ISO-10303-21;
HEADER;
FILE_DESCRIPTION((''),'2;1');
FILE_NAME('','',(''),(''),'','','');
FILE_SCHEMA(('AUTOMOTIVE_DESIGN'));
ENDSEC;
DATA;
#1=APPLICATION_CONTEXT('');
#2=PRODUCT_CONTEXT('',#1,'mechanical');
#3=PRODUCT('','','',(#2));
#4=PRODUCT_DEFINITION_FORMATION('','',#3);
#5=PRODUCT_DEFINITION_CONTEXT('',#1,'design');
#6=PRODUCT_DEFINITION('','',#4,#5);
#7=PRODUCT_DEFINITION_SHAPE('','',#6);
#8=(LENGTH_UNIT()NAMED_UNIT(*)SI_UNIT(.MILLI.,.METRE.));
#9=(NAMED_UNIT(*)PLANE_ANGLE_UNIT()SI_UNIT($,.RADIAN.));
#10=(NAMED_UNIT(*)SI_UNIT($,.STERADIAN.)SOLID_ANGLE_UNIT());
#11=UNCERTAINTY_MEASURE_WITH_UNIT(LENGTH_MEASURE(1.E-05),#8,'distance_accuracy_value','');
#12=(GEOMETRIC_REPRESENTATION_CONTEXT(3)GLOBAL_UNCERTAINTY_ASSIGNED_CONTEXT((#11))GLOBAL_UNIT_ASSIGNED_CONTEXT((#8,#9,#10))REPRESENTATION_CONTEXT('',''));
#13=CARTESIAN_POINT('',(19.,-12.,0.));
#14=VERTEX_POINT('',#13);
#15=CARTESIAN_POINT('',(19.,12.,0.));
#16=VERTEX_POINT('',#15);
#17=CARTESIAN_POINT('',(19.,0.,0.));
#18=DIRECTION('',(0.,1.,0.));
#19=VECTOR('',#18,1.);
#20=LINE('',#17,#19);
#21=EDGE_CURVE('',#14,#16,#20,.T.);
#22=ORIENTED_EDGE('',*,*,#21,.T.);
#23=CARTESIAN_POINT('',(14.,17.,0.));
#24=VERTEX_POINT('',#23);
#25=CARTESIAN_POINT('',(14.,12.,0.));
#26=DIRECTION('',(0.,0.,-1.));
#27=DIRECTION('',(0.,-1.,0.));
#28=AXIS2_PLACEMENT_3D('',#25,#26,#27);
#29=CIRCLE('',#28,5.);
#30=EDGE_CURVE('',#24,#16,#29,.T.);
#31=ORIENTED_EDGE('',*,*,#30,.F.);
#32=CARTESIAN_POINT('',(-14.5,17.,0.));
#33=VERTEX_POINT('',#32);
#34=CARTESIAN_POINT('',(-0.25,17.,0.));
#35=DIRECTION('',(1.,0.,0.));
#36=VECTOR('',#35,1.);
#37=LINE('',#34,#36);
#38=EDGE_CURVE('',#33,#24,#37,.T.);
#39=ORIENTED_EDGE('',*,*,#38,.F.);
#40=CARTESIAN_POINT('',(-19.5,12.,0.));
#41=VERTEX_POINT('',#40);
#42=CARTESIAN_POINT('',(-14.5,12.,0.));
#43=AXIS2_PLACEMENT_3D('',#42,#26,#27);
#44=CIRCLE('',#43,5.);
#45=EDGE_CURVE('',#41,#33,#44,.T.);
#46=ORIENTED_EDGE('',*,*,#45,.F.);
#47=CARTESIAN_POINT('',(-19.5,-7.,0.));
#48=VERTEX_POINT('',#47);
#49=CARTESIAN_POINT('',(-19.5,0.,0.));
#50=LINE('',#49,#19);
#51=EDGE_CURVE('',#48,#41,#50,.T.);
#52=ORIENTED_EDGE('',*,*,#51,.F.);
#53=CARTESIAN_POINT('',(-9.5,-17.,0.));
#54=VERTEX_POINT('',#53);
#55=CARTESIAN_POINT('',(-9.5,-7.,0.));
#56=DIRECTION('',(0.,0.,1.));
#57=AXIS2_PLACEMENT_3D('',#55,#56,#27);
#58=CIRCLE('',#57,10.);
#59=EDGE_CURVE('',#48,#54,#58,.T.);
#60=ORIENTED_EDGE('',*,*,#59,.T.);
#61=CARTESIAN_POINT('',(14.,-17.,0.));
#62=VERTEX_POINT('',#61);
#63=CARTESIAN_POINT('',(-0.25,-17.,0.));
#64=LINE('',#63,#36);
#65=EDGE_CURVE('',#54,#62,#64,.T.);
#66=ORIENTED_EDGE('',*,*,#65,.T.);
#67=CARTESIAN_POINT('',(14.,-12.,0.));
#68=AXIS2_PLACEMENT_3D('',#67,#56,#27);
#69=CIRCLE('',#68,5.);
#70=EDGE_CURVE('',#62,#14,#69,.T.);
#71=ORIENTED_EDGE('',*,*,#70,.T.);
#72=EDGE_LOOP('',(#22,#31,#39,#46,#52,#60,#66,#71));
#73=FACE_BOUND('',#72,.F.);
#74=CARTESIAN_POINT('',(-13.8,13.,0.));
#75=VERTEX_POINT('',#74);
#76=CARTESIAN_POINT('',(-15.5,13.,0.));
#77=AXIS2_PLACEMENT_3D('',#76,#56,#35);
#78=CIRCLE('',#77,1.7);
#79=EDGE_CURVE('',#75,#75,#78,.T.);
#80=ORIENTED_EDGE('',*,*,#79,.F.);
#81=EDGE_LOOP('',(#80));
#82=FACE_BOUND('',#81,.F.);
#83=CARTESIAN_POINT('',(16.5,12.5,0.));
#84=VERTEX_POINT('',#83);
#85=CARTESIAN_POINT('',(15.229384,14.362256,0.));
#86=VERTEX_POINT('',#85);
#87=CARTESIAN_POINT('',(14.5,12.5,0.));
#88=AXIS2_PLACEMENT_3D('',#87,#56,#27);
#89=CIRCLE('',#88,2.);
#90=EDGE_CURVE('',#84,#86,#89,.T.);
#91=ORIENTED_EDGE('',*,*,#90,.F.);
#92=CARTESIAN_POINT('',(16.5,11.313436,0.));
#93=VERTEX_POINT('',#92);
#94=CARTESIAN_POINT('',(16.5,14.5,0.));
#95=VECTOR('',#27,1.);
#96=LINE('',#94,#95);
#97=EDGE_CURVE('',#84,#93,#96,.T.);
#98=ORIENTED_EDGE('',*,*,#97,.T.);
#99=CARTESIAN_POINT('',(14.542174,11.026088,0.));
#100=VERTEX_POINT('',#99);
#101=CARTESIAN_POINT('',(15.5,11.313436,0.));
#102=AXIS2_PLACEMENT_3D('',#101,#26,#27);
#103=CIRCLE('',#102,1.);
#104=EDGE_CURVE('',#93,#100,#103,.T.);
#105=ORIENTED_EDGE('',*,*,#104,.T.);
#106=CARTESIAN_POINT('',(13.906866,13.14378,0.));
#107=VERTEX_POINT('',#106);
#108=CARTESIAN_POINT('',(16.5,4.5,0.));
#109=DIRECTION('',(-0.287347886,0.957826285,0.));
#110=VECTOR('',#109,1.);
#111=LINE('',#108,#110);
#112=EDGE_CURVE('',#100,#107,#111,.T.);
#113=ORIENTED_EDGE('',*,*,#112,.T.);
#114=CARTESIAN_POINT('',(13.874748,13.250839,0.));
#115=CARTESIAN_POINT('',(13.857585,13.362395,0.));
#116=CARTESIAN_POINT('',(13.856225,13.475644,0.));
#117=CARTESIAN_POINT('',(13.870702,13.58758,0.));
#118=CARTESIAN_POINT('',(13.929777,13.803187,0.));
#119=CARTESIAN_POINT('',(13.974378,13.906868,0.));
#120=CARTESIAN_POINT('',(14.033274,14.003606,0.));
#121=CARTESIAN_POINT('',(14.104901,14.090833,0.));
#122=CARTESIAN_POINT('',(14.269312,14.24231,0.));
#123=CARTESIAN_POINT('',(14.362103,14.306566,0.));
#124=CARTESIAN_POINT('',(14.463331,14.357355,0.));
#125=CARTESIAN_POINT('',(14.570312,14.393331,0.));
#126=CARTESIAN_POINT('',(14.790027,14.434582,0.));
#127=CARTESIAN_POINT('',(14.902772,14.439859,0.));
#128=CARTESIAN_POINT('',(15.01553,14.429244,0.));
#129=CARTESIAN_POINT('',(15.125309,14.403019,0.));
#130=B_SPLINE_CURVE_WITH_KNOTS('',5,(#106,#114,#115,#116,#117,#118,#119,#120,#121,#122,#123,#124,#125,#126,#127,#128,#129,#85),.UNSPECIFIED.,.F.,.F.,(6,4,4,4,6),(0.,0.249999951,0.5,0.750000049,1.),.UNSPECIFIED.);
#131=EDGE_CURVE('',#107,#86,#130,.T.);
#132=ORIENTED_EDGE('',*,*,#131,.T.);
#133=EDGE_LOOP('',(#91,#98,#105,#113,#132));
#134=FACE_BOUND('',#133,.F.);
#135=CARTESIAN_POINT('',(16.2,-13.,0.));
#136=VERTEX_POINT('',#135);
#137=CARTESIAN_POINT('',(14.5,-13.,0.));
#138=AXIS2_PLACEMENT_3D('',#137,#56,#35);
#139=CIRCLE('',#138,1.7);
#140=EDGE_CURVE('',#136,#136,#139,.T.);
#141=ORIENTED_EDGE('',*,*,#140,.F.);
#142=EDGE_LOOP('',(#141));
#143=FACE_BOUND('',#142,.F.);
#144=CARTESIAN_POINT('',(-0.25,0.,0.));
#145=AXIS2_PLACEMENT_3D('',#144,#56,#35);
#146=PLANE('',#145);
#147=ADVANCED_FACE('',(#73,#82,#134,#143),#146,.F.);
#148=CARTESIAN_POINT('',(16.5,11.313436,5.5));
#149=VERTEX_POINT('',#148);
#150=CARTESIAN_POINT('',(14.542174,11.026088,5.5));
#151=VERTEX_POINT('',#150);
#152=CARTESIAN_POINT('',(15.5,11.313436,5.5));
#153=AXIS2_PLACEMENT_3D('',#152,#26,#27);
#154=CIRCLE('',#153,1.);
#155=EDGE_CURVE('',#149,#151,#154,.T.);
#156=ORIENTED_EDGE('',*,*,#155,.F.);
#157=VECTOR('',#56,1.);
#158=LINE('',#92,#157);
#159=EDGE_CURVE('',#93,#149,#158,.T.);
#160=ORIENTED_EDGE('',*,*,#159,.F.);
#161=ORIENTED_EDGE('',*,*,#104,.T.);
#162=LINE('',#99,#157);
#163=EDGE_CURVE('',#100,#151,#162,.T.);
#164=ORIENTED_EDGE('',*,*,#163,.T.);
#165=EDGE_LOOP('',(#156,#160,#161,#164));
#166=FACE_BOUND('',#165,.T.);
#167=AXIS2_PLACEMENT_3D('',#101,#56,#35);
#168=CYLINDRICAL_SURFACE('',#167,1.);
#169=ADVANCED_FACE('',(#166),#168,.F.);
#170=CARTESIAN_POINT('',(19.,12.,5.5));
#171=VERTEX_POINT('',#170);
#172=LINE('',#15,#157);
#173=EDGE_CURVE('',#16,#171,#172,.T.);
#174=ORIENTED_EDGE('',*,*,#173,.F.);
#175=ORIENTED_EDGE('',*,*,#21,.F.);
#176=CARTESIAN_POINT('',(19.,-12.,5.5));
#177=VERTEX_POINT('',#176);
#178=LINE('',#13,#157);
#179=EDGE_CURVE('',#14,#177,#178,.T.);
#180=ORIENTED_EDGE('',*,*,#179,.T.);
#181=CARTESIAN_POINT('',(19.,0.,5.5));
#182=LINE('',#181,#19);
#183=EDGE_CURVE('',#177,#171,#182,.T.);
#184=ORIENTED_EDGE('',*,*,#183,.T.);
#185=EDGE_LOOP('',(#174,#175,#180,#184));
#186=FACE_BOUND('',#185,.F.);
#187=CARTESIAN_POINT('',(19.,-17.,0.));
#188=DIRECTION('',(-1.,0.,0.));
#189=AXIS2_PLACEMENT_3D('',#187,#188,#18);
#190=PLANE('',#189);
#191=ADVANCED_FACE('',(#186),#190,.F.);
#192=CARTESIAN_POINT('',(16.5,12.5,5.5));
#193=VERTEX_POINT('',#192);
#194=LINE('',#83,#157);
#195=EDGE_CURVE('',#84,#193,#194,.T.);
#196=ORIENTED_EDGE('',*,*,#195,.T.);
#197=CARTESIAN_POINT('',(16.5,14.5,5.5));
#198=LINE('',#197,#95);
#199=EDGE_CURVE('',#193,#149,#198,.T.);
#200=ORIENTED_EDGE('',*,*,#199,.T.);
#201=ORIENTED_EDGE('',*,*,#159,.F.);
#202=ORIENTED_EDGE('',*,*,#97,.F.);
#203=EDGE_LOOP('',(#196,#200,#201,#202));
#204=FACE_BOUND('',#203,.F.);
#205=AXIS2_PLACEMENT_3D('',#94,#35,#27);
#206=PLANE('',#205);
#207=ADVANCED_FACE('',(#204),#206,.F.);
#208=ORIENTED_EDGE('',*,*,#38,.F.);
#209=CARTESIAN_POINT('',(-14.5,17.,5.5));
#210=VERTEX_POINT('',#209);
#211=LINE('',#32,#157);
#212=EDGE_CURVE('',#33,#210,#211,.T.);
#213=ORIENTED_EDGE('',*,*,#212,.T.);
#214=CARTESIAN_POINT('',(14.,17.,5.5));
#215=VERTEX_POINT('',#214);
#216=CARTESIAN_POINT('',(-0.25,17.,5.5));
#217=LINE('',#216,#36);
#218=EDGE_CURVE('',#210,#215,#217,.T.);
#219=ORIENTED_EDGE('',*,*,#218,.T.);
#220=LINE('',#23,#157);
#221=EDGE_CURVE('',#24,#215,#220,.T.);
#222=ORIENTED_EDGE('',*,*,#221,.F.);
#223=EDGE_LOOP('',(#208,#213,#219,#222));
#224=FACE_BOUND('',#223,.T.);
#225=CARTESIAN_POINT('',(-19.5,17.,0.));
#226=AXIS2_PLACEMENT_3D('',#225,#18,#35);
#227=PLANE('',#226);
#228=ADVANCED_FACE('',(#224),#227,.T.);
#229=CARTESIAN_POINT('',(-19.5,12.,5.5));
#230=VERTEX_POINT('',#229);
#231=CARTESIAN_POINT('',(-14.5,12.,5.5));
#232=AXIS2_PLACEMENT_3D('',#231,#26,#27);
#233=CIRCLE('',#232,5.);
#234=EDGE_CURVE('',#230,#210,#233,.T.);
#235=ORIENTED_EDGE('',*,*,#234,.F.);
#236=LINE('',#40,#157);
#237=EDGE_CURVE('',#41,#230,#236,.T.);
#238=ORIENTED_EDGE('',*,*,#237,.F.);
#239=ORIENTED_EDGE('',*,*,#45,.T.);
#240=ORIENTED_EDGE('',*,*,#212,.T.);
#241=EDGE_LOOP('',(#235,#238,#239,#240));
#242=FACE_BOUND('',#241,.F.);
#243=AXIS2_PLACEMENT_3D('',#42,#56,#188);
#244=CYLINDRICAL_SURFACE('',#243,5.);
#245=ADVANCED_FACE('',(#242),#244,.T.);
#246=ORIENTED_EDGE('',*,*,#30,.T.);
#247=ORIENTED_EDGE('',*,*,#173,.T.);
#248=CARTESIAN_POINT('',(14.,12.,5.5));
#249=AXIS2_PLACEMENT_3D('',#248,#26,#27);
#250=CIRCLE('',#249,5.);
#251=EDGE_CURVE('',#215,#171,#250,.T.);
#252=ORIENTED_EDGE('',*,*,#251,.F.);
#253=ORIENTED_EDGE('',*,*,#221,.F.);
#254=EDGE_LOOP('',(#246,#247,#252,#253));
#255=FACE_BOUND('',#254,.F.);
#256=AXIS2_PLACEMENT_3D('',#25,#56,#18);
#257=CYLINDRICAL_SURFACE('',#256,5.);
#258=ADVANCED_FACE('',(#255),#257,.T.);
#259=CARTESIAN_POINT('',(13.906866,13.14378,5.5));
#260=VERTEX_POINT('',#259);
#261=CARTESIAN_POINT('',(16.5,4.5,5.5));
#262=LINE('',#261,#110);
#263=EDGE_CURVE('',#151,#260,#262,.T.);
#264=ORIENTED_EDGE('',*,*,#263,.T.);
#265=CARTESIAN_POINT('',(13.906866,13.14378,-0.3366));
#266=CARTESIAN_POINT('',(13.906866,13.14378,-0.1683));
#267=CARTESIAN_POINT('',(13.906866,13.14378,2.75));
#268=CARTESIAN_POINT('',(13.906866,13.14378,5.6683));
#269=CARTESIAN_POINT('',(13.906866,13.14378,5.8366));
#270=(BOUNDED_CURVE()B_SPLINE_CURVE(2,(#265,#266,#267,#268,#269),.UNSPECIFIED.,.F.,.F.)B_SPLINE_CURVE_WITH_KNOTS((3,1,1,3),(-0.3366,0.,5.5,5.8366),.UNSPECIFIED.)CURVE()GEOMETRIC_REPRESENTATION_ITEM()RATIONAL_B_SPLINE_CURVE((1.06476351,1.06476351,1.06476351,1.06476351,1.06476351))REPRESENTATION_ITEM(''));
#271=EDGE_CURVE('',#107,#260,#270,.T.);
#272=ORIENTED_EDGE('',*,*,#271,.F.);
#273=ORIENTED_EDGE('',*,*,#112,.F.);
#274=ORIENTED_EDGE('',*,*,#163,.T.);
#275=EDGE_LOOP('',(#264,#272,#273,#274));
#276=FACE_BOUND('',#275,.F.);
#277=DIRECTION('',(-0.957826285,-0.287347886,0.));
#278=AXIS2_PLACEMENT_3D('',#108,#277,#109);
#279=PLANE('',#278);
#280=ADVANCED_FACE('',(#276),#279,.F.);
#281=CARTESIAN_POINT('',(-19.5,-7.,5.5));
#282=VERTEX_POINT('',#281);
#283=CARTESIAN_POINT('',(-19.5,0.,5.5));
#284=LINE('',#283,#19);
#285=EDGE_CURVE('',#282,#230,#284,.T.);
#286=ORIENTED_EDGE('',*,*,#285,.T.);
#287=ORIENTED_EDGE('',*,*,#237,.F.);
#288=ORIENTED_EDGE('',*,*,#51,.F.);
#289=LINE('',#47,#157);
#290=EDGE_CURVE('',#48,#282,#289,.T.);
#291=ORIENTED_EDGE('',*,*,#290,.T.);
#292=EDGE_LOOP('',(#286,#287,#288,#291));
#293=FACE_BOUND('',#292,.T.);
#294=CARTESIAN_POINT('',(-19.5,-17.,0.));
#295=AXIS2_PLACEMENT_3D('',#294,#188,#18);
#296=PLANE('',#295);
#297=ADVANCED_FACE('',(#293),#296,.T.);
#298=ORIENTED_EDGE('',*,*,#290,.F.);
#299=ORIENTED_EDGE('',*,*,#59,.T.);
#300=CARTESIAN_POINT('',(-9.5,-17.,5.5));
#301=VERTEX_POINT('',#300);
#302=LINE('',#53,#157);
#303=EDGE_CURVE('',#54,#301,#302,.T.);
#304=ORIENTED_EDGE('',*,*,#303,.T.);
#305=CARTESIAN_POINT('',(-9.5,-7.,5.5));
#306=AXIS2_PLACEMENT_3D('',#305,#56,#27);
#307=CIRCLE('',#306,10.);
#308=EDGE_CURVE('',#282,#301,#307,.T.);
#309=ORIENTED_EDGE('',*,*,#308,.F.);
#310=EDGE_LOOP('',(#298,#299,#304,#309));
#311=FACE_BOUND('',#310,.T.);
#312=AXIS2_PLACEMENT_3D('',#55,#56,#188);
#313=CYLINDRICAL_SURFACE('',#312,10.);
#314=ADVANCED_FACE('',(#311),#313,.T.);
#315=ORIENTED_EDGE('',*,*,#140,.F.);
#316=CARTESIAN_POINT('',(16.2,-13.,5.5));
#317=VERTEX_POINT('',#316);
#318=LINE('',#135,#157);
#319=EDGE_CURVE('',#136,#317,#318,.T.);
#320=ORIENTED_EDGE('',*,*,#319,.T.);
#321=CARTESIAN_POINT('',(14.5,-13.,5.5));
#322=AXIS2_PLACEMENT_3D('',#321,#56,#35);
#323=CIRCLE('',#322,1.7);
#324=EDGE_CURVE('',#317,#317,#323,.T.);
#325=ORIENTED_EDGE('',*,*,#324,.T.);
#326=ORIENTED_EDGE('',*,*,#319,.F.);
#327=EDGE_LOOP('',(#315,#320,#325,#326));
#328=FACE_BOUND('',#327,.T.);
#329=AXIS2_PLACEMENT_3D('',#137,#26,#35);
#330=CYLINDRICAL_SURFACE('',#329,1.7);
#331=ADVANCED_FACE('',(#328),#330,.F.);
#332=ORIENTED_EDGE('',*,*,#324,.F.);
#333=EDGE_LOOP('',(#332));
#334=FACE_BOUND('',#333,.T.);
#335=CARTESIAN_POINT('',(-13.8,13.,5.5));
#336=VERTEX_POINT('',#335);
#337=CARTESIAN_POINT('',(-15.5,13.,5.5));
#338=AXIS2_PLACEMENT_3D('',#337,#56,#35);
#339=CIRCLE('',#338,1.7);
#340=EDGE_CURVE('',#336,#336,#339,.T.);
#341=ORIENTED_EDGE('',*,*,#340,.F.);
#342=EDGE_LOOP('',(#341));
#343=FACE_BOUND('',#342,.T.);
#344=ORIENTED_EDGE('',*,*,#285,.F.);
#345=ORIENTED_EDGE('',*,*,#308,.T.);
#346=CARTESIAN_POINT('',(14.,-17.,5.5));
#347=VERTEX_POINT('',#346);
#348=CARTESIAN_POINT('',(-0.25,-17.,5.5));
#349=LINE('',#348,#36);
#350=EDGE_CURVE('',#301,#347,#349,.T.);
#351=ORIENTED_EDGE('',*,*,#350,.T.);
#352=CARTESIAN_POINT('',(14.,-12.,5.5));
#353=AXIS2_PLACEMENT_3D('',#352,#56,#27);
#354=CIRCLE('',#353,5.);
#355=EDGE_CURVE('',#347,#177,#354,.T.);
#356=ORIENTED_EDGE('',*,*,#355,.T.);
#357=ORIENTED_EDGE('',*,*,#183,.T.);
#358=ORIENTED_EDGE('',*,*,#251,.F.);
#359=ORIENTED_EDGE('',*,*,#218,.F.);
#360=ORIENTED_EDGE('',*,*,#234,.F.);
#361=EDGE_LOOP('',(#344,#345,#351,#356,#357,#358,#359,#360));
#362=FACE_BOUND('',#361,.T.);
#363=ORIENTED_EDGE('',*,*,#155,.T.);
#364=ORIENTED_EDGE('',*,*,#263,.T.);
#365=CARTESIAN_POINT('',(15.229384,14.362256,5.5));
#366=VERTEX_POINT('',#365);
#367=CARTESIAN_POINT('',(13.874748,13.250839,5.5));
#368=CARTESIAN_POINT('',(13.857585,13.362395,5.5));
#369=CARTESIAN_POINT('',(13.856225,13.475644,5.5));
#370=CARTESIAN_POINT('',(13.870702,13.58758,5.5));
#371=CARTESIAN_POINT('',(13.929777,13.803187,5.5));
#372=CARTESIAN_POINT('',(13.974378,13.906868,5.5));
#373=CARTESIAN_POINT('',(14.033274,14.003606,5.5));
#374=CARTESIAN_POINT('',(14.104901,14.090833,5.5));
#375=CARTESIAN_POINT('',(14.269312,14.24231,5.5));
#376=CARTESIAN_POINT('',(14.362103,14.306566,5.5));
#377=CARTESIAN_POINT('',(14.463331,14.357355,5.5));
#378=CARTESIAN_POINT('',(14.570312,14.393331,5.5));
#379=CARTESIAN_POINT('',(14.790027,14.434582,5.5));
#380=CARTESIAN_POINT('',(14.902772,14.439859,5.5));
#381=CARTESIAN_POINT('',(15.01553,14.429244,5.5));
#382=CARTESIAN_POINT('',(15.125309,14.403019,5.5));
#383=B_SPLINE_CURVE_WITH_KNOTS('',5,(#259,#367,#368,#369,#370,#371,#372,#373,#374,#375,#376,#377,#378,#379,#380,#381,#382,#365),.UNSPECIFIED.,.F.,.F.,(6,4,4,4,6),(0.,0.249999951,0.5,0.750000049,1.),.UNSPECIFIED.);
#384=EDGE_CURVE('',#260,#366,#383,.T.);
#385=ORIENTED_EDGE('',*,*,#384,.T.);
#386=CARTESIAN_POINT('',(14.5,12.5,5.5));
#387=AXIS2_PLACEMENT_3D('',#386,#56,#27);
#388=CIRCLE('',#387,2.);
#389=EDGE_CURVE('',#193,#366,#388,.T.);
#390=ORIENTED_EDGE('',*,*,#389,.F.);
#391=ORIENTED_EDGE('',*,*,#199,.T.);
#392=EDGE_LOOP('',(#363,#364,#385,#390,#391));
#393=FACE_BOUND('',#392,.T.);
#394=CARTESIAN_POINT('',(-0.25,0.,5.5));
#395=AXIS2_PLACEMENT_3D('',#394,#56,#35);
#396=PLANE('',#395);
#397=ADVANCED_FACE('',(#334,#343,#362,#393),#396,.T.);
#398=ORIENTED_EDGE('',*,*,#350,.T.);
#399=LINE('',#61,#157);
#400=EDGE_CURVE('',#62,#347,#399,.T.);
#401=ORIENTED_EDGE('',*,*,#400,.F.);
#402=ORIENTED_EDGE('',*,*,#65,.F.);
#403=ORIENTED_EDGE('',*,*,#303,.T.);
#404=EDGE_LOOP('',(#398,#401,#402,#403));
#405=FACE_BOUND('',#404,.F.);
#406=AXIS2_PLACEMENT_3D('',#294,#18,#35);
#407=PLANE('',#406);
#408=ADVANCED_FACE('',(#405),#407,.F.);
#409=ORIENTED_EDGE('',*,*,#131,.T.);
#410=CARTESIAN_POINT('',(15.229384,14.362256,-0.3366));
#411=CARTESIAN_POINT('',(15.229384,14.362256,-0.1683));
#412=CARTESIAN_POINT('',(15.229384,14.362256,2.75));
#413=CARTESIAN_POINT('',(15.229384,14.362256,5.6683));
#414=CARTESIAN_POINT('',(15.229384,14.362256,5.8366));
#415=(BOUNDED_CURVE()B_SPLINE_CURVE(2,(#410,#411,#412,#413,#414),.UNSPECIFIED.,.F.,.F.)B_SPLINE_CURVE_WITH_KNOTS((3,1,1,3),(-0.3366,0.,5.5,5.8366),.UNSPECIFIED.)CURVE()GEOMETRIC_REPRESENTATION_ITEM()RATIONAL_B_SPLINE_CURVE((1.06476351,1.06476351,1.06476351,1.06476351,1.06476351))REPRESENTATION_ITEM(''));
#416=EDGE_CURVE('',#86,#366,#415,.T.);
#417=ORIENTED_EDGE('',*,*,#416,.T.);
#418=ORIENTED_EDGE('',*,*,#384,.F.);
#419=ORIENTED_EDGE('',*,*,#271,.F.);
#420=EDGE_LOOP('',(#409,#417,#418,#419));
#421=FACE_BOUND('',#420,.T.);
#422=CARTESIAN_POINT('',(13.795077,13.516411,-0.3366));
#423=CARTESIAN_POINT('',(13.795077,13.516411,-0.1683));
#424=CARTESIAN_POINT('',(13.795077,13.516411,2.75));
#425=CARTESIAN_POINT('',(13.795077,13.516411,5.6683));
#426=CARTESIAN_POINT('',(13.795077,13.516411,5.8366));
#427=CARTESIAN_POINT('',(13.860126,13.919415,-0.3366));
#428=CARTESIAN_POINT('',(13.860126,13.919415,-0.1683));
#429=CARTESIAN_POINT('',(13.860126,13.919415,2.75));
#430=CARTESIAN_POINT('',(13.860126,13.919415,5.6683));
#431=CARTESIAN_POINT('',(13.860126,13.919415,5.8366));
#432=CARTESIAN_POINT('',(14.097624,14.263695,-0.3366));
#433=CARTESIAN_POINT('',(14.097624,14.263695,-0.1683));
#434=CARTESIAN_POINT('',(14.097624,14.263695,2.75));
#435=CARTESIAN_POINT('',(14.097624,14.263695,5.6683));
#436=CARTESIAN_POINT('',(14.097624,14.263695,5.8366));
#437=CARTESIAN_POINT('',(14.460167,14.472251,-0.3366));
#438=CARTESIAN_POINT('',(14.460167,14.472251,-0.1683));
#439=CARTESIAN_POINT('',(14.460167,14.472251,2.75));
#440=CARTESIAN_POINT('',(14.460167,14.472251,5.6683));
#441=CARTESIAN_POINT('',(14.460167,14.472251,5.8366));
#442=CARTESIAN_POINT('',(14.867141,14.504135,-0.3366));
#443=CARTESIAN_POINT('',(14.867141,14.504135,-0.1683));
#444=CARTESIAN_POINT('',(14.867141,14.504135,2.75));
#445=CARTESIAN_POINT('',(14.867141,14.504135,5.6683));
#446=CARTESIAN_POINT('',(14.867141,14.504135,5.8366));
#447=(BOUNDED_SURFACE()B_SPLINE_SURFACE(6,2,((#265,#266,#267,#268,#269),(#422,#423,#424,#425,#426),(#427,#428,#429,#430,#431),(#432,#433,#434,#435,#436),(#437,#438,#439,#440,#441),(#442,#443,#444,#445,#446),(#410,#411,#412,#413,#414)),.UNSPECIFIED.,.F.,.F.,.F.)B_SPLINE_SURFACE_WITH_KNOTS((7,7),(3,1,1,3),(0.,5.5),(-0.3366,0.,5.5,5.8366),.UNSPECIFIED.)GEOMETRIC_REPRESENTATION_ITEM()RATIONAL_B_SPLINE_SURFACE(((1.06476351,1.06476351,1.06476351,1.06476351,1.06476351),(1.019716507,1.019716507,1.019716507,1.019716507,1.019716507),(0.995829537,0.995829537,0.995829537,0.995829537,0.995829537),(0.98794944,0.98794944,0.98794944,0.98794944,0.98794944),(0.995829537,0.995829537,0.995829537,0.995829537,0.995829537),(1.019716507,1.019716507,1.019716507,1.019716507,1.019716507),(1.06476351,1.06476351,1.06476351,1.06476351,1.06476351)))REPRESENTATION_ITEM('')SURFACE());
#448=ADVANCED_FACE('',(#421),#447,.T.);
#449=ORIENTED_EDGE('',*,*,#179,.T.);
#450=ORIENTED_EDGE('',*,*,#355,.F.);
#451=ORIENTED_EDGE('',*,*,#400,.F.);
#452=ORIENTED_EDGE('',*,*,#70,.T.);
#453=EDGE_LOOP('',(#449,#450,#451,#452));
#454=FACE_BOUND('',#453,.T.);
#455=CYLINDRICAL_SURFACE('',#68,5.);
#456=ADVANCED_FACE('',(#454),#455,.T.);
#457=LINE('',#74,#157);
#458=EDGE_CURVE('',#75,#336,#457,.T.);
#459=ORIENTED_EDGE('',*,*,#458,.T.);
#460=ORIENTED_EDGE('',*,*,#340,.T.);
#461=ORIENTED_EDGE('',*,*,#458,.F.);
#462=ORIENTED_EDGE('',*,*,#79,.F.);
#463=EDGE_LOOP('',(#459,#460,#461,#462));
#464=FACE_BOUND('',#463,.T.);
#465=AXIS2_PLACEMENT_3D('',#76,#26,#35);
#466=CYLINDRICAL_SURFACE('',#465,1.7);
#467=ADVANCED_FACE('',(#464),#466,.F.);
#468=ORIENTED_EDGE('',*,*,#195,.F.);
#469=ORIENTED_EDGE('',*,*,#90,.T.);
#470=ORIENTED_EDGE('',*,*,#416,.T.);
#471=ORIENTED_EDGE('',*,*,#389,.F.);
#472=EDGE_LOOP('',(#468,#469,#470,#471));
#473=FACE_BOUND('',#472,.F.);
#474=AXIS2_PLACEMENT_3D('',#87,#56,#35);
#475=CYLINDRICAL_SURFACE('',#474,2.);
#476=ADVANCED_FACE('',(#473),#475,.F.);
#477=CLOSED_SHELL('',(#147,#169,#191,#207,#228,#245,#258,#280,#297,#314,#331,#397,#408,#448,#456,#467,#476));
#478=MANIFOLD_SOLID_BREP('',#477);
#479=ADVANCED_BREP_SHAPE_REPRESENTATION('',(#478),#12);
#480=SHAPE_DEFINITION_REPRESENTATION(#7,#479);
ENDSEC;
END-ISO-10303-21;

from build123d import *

# Parameters (mm, degrees)
SKETCH002_W  = 38.5
SKETCH002_H  = 34
SKETCH002_R  = 1.7
PAD002_DEPTH = 5.5
FILLET005_R  = 2
FILLET006_R  = 1
FILLET007_R  = 5
FILLET008_R  = 10
FILLET009_R  = 5


with BuildPart() as part:
    # Sketch002 → Pad002 (new body)
    with BuildSketch(Plane.XY):
        with Locations((-0.25, 0)):
            Rectangle(SKETCH002_W, SKETCH002_H)
        with Locations((-15.5, 13)):
            Circle(SKETCH002_R, mode=Mode.SUBTRACT)
        with Locations((14.5, -13)):
            Circle(SKETCH002_R, mode=Mode.SUBTRACT)
        Polygon((13.5, 14.5), (16.5, 14.5), (16.5, 4.5), align=None, mode=Mode.SUBTRACT)
    extrude(amount=PAD002_DEPTH)

    # Fillet005
    fillet005_edges = [part.edges().sort_by_distance(p)[0] for p in [
        (16.5, 14.5, 2.75),
    ]]
    fillet(fillet005_edges, radius=FILLET005_R)

    # Fillet006
    fillet006_edges = [part.edges().sort_by_distance(p)[0] for p in [
        (16.5, 4.5, 2.75),
        (13.5, 14.5, 2.75),
    ]]
    fillet(fillet006_edges, radius=FILLET006_R)

    # Fillet007
    fillet007_edges = [part.edges().sort_by_distance(p)[0] for p in [
        (19, 17, 2.75),
    ]]
    fillet(fillet007_edges, radius=FILLET007_R)

    # Fillet008
    fillet008_edges = [part.edges().sort_by_distance(p)[0] for p in [
        (-19.5, -17, 2.75),
    ]]
    fillet(fillet008_edges, radius=FILLET008_R)

    # Fillet009
    fillet009_edges = [part.edges().sort_by_distance(p)[0] for p in [
        (-19.5, 17, 2.75),
        (19, -17, 2.75),
    ]]
    fillet(fillet009_edges, radius=FILLET009_R)


solid = part.part
